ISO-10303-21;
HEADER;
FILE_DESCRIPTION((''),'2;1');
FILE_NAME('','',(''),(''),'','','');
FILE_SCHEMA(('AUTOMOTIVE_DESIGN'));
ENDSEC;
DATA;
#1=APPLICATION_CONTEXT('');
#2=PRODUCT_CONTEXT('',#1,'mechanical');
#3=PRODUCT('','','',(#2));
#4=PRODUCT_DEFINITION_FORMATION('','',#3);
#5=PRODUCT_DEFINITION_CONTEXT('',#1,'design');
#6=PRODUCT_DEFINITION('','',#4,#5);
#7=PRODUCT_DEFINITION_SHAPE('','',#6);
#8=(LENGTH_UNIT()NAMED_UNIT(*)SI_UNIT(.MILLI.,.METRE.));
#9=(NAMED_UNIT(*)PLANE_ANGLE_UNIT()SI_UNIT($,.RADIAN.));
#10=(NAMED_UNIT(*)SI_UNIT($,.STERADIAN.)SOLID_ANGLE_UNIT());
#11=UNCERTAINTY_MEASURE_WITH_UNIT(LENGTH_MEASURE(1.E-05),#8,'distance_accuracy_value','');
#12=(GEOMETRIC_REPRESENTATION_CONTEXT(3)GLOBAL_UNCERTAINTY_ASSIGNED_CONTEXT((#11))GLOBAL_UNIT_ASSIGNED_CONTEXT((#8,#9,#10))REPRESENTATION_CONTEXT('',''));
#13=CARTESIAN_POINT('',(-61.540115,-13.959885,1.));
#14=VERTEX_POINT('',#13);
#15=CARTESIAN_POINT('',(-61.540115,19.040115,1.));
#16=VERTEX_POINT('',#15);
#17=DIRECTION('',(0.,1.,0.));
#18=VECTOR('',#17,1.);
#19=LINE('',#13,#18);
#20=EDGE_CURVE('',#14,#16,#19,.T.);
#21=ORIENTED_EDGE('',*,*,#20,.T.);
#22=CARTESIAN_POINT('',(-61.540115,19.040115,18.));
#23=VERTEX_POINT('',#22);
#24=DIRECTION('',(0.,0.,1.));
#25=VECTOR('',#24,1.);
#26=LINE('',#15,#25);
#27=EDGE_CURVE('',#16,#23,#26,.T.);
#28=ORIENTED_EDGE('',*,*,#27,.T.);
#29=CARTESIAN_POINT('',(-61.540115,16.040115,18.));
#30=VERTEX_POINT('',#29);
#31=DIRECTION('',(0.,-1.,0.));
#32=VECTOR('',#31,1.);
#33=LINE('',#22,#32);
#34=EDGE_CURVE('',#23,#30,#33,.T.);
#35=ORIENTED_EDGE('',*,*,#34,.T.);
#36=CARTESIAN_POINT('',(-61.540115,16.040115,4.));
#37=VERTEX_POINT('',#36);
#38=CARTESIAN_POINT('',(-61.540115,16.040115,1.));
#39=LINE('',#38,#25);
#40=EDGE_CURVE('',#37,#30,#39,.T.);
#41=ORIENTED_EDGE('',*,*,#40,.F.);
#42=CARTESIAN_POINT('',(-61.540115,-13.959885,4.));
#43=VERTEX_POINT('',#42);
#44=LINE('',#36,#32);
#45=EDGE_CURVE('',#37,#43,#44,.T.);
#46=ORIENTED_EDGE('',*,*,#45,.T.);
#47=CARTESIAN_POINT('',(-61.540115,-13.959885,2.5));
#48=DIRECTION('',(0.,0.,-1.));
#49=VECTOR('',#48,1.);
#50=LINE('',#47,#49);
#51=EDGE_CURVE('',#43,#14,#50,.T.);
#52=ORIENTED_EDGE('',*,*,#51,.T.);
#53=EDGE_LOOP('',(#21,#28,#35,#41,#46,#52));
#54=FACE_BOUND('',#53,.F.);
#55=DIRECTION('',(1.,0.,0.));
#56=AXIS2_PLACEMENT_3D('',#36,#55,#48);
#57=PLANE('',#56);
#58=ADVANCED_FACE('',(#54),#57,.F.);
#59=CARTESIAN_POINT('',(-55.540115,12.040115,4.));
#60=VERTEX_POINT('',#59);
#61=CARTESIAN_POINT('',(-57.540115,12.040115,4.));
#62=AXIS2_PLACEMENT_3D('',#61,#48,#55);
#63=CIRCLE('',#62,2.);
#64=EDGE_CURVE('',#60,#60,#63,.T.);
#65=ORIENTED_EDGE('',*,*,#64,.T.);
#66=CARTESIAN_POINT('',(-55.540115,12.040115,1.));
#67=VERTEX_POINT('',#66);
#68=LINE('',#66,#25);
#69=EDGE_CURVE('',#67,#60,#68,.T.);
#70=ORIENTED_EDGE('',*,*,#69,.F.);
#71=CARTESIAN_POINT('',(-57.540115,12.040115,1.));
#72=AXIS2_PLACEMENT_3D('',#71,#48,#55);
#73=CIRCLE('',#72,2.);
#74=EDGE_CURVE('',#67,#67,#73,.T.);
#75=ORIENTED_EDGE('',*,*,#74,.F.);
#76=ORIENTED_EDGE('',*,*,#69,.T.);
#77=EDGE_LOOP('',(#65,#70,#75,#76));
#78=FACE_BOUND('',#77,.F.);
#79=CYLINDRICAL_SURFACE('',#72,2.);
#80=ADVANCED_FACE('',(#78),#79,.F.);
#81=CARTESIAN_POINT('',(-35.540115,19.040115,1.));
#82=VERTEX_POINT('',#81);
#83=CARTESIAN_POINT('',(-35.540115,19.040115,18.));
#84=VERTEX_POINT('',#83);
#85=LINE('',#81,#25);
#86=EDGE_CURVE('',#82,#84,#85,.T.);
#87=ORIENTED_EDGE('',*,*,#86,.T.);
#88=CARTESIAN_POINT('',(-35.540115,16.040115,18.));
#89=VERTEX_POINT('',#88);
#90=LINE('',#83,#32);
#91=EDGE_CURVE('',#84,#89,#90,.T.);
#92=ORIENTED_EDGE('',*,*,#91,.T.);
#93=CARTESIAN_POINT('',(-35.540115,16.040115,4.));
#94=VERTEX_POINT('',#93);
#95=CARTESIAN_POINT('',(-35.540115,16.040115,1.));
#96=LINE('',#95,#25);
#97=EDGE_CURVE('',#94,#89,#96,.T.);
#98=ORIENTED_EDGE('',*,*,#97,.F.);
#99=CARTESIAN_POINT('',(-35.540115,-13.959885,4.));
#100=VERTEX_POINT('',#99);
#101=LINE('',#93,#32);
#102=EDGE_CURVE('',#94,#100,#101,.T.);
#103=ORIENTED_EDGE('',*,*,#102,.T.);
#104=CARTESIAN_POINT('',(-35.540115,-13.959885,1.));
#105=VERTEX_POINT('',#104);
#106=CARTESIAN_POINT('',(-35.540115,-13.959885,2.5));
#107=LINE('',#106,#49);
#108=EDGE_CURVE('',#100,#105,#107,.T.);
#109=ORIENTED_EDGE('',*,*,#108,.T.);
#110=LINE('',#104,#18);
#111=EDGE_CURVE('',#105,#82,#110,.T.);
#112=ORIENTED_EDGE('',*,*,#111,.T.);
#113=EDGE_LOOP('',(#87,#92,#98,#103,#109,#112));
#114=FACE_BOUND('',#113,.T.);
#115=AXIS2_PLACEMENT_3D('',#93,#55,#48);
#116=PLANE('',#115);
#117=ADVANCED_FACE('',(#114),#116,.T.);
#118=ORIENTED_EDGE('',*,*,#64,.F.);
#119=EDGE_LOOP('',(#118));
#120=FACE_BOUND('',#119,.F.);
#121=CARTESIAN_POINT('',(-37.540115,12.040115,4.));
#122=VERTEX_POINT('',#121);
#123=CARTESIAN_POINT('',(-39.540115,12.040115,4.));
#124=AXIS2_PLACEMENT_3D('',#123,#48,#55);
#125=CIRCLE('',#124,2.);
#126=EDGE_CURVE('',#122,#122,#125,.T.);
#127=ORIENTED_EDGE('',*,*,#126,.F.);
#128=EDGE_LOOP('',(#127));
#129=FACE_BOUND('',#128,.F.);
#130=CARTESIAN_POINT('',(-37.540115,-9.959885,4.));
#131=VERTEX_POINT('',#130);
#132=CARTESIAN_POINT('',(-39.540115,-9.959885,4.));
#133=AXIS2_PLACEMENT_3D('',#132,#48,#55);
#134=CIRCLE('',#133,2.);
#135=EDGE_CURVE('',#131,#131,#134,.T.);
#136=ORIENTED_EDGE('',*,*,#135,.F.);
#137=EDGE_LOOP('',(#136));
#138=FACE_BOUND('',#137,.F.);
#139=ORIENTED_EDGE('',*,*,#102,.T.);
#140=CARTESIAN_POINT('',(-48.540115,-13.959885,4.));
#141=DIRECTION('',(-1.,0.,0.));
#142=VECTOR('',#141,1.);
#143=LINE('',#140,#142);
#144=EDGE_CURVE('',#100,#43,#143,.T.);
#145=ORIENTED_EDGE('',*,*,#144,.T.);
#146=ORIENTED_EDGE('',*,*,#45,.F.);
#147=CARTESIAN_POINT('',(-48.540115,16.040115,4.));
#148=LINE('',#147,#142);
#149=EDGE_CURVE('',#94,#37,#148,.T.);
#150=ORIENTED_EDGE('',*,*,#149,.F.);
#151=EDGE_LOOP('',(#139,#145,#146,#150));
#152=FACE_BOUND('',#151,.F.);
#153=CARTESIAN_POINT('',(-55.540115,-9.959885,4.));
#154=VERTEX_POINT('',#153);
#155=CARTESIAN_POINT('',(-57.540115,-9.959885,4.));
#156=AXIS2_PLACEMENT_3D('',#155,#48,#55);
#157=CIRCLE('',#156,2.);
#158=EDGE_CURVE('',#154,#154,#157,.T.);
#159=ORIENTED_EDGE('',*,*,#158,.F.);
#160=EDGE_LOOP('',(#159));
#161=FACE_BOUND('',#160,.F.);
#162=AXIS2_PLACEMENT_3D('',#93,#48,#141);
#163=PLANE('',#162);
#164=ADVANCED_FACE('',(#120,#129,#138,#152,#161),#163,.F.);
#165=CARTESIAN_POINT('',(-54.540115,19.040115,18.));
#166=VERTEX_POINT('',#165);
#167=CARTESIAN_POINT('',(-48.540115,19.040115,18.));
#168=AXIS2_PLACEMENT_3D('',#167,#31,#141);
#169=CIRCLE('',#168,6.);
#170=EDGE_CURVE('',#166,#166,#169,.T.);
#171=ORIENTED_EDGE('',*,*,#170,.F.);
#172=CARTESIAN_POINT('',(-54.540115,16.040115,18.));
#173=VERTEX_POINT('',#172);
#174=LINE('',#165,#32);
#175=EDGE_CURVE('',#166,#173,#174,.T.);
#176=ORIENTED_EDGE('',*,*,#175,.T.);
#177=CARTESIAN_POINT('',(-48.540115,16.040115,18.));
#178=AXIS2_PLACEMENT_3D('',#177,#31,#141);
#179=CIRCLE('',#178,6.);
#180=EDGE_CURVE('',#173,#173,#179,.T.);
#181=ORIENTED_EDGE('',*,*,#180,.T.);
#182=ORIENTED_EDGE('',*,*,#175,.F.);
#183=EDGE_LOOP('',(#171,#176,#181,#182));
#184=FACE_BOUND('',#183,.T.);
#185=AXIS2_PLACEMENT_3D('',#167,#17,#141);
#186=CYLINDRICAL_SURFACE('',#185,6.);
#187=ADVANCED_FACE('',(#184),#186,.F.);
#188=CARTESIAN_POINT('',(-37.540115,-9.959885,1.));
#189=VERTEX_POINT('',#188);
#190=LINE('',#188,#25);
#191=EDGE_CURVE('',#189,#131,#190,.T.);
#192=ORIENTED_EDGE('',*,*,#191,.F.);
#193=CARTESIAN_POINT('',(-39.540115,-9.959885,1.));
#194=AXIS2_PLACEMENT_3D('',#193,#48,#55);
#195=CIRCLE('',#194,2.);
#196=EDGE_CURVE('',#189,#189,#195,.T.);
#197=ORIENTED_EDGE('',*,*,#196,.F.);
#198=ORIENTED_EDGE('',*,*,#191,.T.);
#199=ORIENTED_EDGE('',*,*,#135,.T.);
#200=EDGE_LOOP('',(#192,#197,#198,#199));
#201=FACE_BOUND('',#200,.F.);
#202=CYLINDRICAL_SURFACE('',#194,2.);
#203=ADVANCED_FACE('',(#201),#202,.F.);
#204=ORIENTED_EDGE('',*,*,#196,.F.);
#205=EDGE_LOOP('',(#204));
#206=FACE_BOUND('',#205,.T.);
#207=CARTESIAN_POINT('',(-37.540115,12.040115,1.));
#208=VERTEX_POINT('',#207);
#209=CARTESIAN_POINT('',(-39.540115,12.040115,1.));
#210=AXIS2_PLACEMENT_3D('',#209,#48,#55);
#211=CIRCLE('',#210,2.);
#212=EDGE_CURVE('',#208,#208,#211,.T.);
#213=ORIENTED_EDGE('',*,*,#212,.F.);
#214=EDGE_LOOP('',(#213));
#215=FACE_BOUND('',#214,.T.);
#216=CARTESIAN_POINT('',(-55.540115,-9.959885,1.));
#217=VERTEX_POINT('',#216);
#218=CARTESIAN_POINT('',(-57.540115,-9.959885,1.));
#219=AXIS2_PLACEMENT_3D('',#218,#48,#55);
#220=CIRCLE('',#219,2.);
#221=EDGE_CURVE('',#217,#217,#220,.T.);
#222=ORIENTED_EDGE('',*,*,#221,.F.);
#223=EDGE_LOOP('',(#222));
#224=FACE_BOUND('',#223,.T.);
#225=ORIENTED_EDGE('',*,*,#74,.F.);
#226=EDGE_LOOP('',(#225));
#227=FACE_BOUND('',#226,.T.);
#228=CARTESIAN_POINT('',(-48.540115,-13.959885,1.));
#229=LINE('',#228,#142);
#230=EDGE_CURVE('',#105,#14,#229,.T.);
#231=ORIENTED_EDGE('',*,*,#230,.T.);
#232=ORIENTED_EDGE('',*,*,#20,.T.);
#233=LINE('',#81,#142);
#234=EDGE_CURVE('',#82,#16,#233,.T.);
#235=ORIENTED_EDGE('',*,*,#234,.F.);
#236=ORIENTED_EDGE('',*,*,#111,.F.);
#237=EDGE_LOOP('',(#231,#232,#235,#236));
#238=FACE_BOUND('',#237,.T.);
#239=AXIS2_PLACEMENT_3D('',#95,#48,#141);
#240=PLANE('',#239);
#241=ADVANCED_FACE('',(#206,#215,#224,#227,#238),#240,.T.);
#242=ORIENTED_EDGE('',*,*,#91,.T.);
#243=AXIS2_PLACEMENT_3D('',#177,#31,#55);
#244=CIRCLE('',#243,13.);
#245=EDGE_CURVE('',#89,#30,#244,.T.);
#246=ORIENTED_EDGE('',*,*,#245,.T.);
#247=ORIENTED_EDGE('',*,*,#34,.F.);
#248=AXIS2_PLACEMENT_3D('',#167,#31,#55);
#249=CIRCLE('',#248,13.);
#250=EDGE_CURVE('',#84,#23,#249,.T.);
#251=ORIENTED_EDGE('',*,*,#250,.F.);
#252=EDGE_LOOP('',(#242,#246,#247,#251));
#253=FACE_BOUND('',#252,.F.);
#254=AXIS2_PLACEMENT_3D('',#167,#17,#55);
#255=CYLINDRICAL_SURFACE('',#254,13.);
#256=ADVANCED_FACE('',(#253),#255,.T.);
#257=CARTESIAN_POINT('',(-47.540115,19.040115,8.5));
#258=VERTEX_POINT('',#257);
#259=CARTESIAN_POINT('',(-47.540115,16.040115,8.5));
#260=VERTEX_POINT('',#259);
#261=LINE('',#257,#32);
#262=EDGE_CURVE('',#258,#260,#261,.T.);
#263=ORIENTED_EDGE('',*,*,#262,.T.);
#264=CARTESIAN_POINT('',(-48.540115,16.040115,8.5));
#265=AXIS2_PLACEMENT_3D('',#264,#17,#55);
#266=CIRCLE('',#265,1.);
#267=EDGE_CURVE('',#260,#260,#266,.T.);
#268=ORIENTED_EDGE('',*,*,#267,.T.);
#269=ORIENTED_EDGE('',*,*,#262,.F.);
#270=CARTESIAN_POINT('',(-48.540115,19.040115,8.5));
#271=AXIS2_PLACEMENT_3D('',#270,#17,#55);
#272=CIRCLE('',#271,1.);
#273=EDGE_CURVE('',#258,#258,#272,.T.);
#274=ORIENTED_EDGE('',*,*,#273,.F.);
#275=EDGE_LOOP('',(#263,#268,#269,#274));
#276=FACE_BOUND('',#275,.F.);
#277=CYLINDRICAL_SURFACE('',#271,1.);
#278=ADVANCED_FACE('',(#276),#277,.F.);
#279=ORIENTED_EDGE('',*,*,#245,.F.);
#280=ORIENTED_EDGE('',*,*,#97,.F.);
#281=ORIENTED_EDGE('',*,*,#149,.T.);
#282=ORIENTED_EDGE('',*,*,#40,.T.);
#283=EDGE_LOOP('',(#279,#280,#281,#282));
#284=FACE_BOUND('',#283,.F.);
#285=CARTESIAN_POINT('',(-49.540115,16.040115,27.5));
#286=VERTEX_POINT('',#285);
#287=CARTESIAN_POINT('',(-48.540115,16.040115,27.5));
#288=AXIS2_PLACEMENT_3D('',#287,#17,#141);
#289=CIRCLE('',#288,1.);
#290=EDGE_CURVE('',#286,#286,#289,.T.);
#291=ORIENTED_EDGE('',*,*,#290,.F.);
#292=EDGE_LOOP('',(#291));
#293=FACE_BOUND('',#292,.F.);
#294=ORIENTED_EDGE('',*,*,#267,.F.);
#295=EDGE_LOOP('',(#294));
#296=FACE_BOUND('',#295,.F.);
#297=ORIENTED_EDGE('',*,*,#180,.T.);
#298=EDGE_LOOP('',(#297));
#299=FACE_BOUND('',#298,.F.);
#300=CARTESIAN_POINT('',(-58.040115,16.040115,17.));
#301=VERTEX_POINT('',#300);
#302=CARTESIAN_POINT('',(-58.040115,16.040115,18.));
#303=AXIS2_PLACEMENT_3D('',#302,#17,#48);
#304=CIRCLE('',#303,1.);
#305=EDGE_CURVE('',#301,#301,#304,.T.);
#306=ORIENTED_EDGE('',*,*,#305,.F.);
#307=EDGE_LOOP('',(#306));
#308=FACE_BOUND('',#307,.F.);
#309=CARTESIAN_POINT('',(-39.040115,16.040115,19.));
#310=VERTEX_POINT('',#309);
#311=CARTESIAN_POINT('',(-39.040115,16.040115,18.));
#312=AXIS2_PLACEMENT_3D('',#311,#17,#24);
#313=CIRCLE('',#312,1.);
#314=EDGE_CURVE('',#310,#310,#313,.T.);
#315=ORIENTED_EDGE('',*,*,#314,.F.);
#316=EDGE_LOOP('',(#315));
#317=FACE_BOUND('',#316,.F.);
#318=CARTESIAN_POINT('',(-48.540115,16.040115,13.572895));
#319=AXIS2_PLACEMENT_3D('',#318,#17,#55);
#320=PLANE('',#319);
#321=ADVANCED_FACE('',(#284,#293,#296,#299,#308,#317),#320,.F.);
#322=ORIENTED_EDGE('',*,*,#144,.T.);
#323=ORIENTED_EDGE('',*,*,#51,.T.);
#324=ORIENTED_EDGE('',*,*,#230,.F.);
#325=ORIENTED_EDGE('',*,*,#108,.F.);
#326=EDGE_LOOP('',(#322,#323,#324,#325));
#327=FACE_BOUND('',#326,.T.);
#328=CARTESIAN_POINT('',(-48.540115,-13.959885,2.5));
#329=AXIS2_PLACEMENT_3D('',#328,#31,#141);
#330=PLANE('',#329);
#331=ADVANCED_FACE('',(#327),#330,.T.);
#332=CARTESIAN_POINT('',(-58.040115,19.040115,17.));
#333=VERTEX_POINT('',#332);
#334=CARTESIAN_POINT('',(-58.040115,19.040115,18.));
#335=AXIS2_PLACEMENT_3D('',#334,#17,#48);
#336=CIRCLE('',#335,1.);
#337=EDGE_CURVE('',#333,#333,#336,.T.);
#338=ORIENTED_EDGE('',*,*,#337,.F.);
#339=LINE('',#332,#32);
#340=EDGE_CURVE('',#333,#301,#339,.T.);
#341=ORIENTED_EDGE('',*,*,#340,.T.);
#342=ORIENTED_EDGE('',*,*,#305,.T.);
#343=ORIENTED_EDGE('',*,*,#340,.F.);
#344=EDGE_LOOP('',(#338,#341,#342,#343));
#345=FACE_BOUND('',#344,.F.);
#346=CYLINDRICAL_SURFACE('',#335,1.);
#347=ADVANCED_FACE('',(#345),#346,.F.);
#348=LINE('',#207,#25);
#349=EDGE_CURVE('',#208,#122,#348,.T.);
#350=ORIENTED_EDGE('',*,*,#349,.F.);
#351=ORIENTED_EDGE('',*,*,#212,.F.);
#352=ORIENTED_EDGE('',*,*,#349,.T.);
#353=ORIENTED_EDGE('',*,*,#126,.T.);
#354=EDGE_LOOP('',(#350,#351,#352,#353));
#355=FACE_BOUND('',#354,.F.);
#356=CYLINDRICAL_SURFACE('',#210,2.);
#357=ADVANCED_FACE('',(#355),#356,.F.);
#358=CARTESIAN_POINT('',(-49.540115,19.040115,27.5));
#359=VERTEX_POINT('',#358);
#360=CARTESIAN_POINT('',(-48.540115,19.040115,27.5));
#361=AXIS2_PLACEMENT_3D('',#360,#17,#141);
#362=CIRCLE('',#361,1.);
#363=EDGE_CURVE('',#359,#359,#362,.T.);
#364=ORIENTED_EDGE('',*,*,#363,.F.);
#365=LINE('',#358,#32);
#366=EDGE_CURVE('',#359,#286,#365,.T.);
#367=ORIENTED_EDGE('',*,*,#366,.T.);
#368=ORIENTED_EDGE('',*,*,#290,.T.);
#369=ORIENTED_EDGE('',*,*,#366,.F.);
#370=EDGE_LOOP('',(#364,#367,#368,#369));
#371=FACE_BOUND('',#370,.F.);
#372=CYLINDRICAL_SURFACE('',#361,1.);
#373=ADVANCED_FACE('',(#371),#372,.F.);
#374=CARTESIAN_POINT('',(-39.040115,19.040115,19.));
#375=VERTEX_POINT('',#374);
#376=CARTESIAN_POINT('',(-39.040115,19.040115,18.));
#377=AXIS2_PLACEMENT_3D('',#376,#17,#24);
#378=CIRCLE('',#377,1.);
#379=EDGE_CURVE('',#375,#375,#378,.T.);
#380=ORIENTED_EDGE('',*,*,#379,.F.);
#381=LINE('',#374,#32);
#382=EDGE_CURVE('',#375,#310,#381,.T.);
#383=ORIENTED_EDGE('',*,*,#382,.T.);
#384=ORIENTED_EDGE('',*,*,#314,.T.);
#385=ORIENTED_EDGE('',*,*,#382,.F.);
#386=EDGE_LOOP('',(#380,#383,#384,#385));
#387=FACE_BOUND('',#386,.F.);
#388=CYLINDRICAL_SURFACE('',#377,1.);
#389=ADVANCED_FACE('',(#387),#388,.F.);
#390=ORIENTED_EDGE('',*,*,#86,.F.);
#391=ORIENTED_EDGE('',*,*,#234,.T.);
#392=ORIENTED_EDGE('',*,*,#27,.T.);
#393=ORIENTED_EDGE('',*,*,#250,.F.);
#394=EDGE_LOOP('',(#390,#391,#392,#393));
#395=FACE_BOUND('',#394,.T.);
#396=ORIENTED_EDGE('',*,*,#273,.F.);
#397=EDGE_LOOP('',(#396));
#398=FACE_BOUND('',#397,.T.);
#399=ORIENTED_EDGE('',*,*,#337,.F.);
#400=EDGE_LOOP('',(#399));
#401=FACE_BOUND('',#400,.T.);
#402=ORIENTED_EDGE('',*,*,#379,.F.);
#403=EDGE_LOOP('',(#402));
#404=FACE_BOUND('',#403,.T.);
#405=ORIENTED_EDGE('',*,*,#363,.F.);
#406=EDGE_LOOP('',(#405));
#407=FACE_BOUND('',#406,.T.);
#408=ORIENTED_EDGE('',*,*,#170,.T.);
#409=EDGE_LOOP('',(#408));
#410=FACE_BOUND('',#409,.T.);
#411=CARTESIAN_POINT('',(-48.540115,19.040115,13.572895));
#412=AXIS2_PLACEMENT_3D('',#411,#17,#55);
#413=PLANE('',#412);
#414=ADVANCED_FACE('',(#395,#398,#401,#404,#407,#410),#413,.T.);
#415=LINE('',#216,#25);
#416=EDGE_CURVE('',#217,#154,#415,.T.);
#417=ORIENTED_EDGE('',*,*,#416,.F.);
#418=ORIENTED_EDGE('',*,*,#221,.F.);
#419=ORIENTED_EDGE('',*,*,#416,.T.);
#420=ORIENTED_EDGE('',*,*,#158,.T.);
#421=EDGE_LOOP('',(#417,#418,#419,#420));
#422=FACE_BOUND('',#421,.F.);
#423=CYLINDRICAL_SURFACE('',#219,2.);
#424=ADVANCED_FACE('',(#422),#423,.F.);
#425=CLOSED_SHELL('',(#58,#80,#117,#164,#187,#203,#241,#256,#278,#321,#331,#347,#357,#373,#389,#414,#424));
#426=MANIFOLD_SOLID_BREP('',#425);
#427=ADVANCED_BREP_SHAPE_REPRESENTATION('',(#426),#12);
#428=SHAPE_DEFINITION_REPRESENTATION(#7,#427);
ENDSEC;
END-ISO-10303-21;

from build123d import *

# Parameters (mm, degrees)
SKETCH121_R             = 6
PAD085_DEPTH            = 3
SKETCH122_W             = 26
SKETCH122_H             = 3
PAD086_DEPTH            = 30
SKETCH123_R             = 2
POCKET048_DEPTH         = 30.001
SKETCH124_R             = 1
POCKET049_DEPTH         = 136.248276
POLARPATTERN018_COUNT   = 4
BODY050_PLACEMENT_ANGLE = 180


with BuildPart() as part:
    # Sketch121 → Pad085 (new body)
    with BuildSketch(Plane.XZ):
        with BuildLine():
            Line((-13, 17), (13, 17))
            Line((13, 17), (13, 0))
            ThreePointArc((-13, 0), (0, -13), (13, 0))
            Line((-13, 17), (-13, 0))
        make_face()
        Circle(SKETCH121_R, mode=Mode.SUBTRACT)
    extrude(amount=PAD085_DEPTH)

    # Sketch122 (on Face7 of Pad085) → Pad086 (join)
    with BuildSketch(Plane.XZ.offset(3)):
        with Locations((0, 15.5)):
            Rectangle(SKETCH122_W, SKETCH122_H)
    extrude(amount=PAD086_DEPTH)

    # Sketch123 (on Face5 of Pad086) → Pocket048 (cut, through all)
    with BuildSketch(Plane(origin=(0, 0, 17), x_dir=(-1, 0, 0), z_dir=(0, 0, 1))):
        with Locations((-9, 7)):
            Circle(SKETCH123_R)
        with Locations((9, 7)):
            Circle(SKETCH123_R)
        with Locations((-9, 29)):
            Circle(SKETCH123_R)
        with Locations((9, 29)):
            Circle(SKETCH123_R)
    extrude(amount=-POCKET048_DEPTH, mode=Mode.SUBTRACT)

    # Sketch124 (on Face4 of Pocket048) → Pocket049 (cut, through all)
    with BuildSketch(Plane(origin=(0, 0, 0), x_dir=(1, 0, 0), z_dir=(0, 1, 0))):
        with Locations((0, 9.5)):
            Circle(SKETCH124_R)
    pocket049 = extrude(amount=-POCKET049_DEPTH, mode=Mode.SUBTRACT)

    # PolarPattern018: Pocket049 ×4 about axis
    polarpattern018_axis = Axis((0, 0, 0), (0, 1, 0))
    for i in range(1, POLARPATTERN018_COUNT):
        add(pocket049.rotate(polarpattern018_axis, i * 360 / POLARPATTERN018_COUNT), mode=Mode.SUBTRACT)


with BuildPart() as part_1:
    # Body050 placement: moved
    add(part.part.moved(Location((-48.540115, 19.040115, 18))).rotate(Axis((-48.540115, 19.040115, 18), (0, 1, 0)), BODY050_PLACEMENT_ANGLE))


solid = part_1.part
